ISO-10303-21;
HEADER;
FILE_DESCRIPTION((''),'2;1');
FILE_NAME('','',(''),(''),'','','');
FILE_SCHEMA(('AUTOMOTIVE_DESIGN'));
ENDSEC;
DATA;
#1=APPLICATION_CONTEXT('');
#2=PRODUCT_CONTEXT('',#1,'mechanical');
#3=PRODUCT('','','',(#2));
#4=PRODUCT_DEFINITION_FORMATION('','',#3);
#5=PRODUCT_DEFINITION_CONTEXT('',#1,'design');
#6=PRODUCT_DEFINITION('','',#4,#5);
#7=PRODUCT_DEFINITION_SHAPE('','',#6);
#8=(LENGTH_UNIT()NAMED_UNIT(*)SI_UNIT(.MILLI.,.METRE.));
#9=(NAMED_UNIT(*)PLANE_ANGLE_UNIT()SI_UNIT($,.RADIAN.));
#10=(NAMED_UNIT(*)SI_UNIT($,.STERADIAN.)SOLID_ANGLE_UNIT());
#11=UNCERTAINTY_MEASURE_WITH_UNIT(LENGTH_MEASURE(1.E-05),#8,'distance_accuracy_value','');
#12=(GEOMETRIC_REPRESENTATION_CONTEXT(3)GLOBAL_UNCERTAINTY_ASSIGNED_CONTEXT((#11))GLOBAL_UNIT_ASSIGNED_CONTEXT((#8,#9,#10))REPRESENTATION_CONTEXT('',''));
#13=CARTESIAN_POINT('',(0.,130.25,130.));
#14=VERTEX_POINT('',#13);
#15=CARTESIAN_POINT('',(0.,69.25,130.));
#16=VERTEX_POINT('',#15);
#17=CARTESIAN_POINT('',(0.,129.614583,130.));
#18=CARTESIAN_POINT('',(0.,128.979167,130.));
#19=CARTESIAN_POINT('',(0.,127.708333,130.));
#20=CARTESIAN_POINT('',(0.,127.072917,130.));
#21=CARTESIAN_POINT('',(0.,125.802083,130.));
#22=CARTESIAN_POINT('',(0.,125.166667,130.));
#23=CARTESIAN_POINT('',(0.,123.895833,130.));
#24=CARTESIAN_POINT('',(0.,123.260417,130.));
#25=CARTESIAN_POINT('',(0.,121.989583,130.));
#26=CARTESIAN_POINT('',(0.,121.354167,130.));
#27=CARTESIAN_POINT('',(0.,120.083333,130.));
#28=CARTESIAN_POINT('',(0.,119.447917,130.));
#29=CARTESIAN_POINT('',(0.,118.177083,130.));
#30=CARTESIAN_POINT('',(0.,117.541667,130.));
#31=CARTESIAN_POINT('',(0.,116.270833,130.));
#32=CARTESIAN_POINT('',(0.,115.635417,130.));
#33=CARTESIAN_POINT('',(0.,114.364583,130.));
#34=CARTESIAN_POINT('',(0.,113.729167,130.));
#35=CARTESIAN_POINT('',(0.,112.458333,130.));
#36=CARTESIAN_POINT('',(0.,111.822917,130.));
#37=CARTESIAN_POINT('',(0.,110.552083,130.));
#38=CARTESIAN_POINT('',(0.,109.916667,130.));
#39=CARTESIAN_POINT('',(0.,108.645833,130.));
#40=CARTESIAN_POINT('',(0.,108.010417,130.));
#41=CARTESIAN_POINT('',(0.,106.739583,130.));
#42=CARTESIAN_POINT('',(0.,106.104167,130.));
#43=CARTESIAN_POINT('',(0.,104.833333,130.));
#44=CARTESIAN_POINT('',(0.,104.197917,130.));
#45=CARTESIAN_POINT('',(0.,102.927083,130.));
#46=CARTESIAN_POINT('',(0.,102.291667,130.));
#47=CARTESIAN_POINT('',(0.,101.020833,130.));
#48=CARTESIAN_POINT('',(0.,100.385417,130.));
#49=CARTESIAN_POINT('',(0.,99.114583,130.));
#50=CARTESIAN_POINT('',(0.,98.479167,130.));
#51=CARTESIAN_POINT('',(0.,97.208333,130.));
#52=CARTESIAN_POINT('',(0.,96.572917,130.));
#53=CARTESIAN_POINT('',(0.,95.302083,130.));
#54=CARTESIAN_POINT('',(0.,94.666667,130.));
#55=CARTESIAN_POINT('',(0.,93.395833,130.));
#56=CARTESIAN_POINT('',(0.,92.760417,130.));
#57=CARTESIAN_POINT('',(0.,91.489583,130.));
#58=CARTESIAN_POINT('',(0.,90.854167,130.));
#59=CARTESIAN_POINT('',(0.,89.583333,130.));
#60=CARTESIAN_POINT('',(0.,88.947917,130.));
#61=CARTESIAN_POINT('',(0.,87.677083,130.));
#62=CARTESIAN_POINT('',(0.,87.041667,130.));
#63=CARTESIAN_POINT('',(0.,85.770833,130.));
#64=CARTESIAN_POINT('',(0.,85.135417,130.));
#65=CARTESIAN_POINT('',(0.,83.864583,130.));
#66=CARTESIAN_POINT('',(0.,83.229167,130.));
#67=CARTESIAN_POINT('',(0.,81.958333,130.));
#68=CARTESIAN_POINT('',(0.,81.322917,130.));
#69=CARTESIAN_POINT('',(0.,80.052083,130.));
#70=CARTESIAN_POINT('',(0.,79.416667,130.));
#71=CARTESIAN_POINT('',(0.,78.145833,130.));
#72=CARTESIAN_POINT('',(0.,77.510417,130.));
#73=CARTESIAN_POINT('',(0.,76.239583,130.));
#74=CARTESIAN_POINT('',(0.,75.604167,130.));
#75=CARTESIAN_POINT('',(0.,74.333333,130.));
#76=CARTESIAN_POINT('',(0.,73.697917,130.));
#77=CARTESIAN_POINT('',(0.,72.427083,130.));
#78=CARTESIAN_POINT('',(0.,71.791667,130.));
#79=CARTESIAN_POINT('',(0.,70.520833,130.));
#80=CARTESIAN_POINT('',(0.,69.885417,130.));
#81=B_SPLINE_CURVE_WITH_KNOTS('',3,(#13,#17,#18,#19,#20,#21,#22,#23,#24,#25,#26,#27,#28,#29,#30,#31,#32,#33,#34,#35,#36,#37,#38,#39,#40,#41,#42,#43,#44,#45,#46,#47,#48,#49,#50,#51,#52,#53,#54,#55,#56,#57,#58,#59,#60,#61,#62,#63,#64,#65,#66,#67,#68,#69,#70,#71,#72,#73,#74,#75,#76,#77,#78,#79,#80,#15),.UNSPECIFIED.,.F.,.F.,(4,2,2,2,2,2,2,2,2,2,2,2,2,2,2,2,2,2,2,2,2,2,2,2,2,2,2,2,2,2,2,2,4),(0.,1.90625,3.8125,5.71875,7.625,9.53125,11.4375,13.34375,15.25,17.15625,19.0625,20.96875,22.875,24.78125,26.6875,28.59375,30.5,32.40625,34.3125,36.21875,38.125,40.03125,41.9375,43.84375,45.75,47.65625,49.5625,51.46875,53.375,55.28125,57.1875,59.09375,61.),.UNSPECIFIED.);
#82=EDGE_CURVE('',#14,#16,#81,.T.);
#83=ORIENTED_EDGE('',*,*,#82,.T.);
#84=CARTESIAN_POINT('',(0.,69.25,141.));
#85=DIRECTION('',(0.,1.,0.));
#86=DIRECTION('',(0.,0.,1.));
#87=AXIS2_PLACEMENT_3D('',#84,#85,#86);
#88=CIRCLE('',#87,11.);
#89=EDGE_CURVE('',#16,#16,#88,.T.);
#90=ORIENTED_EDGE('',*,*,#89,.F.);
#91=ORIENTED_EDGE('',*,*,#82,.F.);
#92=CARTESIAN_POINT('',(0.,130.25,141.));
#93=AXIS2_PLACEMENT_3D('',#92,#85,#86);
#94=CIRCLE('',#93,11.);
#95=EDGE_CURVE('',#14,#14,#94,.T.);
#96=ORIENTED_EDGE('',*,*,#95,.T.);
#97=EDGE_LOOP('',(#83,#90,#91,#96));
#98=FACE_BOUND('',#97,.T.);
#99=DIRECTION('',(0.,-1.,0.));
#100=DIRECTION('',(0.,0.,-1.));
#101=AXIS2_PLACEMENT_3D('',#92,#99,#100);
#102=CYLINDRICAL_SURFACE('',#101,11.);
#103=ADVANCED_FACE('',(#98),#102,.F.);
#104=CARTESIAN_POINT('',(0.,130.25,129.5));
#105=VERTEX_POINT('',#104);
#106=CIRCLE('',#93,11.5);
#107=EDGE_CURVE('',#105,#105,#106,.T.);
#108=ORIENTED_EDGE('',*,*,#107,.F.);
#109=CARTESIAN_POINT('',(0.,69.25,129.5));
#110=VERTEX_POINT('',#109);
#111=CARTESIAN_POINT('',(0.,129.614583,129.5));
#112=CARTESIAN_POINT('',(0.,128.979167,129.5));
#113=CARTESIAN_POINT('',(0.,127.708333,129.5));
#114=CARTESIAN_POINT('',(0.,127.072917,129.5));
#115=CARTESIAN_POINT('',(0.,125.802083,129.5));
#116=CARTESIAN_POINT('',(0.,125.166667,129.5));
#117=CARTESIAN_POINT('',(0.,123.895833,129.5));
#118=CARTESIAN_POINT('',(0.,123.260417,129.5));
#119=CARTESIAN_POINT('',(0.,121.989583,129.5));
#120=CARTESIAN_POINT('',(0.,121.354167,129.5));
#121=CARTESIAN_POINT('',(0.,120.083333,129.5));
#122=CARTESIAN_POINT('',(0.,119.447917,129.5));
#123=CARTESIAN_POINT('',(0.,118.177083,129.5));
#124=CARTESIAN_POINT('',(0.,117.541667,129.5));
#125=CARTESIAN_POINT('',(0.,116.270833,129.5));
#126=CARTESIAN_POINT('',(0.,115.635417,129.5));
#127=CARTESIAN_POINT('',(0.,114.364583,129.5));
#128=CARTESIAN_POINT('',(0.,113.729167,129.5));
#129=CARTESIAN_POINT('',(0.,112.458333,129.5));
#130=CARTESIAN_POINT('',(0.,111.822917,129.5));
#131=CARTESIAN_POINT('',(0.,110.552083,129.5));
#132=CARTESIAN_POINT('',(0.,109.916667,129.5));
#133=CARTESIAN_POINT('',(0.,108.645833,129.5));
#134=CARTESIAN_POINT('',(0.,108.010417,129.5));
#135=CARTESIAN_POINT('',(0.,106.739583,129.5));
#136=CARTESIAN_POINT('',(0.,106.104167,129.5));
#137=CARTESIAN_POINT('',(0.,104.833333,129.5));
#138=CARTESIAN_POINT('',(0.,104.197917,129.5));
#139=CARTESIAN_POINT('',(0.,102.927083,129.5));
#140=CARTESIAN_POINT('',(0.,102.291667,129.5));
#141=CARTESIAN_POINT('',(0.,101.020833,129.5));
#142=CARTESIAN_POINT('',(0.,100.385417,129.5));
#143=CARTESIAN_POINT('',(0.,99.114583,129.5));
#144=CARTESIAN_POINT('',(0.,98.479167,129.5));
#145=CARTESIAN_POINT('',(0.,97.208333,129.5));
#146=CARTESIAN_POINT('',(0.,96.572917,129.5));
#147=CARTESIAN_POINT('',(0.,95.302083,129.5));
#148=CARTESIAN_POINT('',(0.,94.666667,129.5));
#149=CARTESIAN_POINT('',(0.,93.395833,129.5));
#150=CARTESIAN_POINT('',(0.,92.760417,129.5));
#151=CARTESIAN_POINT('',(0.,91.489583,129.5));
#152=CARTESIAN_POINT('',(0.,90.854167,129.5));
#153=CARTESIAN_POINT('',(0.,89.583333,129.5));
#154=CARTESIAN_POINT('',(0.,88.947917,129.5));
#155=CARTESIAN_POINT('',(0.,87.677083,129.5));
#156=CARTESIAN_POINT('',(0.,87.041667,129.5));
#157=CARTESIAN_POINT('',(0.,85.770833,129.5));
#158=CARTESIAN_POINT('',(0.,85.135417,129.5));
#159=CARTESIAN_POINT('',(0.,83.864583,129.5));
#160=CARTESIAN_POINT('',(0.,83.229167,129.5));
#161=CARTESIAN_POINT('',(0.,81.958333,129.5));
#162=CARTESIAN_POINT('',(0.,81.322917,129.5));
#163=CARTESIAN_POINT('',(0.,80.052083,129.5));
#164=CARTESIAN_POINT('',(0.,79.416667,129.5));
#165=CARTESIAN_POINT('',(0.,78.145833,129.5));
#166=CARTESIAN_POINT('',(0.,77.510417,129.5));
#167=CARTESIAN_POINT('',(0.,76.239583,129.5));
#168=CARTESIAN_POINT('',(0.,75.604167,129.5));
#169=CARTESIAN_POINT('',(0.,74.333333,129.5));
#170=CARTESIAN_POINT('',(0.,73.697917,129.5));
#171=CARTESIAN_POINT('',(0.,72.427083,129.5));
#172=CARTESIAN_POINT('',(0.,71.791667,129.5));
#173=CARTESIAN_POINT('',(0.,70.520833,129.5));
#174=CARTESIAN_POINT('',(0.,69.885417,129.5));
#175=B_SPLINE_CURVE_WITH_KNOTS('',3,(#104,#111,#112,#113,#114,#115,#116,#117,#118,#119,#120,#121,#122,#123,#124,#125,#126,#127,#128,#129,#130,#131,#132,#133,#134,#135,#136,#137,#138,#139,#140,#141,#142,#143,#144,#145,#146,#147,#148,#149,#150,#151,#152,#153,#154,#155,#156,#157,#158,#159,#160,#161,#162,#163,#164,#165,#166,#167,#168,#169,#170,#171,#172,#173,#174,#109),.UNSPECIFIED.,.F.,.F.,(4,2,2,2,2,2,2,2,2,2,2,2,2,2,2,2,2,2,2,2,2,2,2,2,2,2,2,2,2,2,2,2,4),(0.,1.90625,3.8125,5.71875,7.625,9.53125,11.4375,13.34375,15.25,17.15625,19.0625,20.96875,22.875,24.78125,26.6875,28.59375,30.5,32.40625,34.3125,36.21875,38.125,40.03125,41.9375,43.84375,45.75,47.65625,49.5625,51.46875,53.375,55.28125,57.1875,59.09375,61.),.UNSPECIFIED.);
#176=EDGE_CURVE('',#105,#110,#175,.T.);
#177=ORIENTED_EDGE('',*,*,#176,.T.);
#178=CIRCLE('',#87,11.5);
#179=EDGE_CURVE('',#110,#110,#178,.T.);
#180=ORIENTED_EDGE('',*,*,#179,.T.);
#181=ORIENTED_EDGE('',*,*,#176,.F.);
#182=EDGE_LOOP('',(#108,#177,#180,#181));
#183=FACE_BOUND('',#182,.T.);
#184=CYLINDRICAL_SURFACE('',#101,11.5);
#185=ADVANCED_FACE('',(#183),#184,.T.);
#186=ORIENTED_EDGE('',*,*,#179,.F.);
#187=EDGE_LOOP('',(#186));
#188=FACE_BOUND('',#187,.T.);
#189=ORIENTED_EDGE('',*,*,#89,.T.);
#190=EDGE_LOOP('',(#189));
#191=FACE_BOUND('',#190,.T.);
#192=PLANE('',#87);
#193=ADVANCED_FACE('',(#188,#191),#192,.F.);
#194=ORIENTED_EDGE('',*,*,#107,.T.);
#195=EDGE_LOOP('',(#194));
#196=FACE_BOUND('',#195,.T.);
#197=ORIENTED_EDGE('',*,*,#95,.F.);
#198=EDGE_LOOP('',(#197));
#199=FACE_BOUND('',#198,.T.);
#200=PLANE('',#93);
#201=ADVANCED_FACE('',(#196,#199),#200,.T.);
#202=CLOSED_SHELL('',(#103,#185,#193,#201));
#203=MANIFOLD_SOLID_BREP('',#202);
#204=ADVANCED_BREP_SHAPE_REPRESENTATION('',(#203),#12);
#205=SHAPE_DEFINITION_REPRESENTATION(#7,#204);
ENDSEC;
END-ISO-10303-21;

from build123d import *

# Parameters (mm, degrees)
EXTRUDE_START       = 69.25
SKETCH_1_R          = 11.5
EXTRUDE_1_DEPTH     = 61
CUT_EXTRUDE_START   = 69.25
SKETCH_2_R          = 11
CUT_EXTRUDE_1_DEPTH = 61


with BuildPart() as part:
    # 草图1 → 凸台-拉伸1 (new body)
    with BuildSketch(Plane(origin=(0, 0, 0), x_dir=(1, 0, 0), z_dir=(0, 1, 0)).offset(EXTRUDE_START)):
        with Locations(Location((0, -141, 0), (0, 0, 90))):
            Circle(SKETCH_1_R)
    extrude(amount=EXTRUDE_1_DEPTH)

    # 草图2 → 切除-拉伸1 (cut)
    with BuildSketch(Plane(origin=(0, 0, 0), x_dir=(1, 0, 0), z_dir=(0, 1, 0)).offset(CUT_EXTRUDE_START)):
        with Locations(Location((0, -141, 0), (0, 0, 90))):
            Circle(SKETCH_2_R)
    extrude(amount=CUT_EXTRUDE_1_DEPTH, mode=Mode.SUBTRACT)


solid = part.part
